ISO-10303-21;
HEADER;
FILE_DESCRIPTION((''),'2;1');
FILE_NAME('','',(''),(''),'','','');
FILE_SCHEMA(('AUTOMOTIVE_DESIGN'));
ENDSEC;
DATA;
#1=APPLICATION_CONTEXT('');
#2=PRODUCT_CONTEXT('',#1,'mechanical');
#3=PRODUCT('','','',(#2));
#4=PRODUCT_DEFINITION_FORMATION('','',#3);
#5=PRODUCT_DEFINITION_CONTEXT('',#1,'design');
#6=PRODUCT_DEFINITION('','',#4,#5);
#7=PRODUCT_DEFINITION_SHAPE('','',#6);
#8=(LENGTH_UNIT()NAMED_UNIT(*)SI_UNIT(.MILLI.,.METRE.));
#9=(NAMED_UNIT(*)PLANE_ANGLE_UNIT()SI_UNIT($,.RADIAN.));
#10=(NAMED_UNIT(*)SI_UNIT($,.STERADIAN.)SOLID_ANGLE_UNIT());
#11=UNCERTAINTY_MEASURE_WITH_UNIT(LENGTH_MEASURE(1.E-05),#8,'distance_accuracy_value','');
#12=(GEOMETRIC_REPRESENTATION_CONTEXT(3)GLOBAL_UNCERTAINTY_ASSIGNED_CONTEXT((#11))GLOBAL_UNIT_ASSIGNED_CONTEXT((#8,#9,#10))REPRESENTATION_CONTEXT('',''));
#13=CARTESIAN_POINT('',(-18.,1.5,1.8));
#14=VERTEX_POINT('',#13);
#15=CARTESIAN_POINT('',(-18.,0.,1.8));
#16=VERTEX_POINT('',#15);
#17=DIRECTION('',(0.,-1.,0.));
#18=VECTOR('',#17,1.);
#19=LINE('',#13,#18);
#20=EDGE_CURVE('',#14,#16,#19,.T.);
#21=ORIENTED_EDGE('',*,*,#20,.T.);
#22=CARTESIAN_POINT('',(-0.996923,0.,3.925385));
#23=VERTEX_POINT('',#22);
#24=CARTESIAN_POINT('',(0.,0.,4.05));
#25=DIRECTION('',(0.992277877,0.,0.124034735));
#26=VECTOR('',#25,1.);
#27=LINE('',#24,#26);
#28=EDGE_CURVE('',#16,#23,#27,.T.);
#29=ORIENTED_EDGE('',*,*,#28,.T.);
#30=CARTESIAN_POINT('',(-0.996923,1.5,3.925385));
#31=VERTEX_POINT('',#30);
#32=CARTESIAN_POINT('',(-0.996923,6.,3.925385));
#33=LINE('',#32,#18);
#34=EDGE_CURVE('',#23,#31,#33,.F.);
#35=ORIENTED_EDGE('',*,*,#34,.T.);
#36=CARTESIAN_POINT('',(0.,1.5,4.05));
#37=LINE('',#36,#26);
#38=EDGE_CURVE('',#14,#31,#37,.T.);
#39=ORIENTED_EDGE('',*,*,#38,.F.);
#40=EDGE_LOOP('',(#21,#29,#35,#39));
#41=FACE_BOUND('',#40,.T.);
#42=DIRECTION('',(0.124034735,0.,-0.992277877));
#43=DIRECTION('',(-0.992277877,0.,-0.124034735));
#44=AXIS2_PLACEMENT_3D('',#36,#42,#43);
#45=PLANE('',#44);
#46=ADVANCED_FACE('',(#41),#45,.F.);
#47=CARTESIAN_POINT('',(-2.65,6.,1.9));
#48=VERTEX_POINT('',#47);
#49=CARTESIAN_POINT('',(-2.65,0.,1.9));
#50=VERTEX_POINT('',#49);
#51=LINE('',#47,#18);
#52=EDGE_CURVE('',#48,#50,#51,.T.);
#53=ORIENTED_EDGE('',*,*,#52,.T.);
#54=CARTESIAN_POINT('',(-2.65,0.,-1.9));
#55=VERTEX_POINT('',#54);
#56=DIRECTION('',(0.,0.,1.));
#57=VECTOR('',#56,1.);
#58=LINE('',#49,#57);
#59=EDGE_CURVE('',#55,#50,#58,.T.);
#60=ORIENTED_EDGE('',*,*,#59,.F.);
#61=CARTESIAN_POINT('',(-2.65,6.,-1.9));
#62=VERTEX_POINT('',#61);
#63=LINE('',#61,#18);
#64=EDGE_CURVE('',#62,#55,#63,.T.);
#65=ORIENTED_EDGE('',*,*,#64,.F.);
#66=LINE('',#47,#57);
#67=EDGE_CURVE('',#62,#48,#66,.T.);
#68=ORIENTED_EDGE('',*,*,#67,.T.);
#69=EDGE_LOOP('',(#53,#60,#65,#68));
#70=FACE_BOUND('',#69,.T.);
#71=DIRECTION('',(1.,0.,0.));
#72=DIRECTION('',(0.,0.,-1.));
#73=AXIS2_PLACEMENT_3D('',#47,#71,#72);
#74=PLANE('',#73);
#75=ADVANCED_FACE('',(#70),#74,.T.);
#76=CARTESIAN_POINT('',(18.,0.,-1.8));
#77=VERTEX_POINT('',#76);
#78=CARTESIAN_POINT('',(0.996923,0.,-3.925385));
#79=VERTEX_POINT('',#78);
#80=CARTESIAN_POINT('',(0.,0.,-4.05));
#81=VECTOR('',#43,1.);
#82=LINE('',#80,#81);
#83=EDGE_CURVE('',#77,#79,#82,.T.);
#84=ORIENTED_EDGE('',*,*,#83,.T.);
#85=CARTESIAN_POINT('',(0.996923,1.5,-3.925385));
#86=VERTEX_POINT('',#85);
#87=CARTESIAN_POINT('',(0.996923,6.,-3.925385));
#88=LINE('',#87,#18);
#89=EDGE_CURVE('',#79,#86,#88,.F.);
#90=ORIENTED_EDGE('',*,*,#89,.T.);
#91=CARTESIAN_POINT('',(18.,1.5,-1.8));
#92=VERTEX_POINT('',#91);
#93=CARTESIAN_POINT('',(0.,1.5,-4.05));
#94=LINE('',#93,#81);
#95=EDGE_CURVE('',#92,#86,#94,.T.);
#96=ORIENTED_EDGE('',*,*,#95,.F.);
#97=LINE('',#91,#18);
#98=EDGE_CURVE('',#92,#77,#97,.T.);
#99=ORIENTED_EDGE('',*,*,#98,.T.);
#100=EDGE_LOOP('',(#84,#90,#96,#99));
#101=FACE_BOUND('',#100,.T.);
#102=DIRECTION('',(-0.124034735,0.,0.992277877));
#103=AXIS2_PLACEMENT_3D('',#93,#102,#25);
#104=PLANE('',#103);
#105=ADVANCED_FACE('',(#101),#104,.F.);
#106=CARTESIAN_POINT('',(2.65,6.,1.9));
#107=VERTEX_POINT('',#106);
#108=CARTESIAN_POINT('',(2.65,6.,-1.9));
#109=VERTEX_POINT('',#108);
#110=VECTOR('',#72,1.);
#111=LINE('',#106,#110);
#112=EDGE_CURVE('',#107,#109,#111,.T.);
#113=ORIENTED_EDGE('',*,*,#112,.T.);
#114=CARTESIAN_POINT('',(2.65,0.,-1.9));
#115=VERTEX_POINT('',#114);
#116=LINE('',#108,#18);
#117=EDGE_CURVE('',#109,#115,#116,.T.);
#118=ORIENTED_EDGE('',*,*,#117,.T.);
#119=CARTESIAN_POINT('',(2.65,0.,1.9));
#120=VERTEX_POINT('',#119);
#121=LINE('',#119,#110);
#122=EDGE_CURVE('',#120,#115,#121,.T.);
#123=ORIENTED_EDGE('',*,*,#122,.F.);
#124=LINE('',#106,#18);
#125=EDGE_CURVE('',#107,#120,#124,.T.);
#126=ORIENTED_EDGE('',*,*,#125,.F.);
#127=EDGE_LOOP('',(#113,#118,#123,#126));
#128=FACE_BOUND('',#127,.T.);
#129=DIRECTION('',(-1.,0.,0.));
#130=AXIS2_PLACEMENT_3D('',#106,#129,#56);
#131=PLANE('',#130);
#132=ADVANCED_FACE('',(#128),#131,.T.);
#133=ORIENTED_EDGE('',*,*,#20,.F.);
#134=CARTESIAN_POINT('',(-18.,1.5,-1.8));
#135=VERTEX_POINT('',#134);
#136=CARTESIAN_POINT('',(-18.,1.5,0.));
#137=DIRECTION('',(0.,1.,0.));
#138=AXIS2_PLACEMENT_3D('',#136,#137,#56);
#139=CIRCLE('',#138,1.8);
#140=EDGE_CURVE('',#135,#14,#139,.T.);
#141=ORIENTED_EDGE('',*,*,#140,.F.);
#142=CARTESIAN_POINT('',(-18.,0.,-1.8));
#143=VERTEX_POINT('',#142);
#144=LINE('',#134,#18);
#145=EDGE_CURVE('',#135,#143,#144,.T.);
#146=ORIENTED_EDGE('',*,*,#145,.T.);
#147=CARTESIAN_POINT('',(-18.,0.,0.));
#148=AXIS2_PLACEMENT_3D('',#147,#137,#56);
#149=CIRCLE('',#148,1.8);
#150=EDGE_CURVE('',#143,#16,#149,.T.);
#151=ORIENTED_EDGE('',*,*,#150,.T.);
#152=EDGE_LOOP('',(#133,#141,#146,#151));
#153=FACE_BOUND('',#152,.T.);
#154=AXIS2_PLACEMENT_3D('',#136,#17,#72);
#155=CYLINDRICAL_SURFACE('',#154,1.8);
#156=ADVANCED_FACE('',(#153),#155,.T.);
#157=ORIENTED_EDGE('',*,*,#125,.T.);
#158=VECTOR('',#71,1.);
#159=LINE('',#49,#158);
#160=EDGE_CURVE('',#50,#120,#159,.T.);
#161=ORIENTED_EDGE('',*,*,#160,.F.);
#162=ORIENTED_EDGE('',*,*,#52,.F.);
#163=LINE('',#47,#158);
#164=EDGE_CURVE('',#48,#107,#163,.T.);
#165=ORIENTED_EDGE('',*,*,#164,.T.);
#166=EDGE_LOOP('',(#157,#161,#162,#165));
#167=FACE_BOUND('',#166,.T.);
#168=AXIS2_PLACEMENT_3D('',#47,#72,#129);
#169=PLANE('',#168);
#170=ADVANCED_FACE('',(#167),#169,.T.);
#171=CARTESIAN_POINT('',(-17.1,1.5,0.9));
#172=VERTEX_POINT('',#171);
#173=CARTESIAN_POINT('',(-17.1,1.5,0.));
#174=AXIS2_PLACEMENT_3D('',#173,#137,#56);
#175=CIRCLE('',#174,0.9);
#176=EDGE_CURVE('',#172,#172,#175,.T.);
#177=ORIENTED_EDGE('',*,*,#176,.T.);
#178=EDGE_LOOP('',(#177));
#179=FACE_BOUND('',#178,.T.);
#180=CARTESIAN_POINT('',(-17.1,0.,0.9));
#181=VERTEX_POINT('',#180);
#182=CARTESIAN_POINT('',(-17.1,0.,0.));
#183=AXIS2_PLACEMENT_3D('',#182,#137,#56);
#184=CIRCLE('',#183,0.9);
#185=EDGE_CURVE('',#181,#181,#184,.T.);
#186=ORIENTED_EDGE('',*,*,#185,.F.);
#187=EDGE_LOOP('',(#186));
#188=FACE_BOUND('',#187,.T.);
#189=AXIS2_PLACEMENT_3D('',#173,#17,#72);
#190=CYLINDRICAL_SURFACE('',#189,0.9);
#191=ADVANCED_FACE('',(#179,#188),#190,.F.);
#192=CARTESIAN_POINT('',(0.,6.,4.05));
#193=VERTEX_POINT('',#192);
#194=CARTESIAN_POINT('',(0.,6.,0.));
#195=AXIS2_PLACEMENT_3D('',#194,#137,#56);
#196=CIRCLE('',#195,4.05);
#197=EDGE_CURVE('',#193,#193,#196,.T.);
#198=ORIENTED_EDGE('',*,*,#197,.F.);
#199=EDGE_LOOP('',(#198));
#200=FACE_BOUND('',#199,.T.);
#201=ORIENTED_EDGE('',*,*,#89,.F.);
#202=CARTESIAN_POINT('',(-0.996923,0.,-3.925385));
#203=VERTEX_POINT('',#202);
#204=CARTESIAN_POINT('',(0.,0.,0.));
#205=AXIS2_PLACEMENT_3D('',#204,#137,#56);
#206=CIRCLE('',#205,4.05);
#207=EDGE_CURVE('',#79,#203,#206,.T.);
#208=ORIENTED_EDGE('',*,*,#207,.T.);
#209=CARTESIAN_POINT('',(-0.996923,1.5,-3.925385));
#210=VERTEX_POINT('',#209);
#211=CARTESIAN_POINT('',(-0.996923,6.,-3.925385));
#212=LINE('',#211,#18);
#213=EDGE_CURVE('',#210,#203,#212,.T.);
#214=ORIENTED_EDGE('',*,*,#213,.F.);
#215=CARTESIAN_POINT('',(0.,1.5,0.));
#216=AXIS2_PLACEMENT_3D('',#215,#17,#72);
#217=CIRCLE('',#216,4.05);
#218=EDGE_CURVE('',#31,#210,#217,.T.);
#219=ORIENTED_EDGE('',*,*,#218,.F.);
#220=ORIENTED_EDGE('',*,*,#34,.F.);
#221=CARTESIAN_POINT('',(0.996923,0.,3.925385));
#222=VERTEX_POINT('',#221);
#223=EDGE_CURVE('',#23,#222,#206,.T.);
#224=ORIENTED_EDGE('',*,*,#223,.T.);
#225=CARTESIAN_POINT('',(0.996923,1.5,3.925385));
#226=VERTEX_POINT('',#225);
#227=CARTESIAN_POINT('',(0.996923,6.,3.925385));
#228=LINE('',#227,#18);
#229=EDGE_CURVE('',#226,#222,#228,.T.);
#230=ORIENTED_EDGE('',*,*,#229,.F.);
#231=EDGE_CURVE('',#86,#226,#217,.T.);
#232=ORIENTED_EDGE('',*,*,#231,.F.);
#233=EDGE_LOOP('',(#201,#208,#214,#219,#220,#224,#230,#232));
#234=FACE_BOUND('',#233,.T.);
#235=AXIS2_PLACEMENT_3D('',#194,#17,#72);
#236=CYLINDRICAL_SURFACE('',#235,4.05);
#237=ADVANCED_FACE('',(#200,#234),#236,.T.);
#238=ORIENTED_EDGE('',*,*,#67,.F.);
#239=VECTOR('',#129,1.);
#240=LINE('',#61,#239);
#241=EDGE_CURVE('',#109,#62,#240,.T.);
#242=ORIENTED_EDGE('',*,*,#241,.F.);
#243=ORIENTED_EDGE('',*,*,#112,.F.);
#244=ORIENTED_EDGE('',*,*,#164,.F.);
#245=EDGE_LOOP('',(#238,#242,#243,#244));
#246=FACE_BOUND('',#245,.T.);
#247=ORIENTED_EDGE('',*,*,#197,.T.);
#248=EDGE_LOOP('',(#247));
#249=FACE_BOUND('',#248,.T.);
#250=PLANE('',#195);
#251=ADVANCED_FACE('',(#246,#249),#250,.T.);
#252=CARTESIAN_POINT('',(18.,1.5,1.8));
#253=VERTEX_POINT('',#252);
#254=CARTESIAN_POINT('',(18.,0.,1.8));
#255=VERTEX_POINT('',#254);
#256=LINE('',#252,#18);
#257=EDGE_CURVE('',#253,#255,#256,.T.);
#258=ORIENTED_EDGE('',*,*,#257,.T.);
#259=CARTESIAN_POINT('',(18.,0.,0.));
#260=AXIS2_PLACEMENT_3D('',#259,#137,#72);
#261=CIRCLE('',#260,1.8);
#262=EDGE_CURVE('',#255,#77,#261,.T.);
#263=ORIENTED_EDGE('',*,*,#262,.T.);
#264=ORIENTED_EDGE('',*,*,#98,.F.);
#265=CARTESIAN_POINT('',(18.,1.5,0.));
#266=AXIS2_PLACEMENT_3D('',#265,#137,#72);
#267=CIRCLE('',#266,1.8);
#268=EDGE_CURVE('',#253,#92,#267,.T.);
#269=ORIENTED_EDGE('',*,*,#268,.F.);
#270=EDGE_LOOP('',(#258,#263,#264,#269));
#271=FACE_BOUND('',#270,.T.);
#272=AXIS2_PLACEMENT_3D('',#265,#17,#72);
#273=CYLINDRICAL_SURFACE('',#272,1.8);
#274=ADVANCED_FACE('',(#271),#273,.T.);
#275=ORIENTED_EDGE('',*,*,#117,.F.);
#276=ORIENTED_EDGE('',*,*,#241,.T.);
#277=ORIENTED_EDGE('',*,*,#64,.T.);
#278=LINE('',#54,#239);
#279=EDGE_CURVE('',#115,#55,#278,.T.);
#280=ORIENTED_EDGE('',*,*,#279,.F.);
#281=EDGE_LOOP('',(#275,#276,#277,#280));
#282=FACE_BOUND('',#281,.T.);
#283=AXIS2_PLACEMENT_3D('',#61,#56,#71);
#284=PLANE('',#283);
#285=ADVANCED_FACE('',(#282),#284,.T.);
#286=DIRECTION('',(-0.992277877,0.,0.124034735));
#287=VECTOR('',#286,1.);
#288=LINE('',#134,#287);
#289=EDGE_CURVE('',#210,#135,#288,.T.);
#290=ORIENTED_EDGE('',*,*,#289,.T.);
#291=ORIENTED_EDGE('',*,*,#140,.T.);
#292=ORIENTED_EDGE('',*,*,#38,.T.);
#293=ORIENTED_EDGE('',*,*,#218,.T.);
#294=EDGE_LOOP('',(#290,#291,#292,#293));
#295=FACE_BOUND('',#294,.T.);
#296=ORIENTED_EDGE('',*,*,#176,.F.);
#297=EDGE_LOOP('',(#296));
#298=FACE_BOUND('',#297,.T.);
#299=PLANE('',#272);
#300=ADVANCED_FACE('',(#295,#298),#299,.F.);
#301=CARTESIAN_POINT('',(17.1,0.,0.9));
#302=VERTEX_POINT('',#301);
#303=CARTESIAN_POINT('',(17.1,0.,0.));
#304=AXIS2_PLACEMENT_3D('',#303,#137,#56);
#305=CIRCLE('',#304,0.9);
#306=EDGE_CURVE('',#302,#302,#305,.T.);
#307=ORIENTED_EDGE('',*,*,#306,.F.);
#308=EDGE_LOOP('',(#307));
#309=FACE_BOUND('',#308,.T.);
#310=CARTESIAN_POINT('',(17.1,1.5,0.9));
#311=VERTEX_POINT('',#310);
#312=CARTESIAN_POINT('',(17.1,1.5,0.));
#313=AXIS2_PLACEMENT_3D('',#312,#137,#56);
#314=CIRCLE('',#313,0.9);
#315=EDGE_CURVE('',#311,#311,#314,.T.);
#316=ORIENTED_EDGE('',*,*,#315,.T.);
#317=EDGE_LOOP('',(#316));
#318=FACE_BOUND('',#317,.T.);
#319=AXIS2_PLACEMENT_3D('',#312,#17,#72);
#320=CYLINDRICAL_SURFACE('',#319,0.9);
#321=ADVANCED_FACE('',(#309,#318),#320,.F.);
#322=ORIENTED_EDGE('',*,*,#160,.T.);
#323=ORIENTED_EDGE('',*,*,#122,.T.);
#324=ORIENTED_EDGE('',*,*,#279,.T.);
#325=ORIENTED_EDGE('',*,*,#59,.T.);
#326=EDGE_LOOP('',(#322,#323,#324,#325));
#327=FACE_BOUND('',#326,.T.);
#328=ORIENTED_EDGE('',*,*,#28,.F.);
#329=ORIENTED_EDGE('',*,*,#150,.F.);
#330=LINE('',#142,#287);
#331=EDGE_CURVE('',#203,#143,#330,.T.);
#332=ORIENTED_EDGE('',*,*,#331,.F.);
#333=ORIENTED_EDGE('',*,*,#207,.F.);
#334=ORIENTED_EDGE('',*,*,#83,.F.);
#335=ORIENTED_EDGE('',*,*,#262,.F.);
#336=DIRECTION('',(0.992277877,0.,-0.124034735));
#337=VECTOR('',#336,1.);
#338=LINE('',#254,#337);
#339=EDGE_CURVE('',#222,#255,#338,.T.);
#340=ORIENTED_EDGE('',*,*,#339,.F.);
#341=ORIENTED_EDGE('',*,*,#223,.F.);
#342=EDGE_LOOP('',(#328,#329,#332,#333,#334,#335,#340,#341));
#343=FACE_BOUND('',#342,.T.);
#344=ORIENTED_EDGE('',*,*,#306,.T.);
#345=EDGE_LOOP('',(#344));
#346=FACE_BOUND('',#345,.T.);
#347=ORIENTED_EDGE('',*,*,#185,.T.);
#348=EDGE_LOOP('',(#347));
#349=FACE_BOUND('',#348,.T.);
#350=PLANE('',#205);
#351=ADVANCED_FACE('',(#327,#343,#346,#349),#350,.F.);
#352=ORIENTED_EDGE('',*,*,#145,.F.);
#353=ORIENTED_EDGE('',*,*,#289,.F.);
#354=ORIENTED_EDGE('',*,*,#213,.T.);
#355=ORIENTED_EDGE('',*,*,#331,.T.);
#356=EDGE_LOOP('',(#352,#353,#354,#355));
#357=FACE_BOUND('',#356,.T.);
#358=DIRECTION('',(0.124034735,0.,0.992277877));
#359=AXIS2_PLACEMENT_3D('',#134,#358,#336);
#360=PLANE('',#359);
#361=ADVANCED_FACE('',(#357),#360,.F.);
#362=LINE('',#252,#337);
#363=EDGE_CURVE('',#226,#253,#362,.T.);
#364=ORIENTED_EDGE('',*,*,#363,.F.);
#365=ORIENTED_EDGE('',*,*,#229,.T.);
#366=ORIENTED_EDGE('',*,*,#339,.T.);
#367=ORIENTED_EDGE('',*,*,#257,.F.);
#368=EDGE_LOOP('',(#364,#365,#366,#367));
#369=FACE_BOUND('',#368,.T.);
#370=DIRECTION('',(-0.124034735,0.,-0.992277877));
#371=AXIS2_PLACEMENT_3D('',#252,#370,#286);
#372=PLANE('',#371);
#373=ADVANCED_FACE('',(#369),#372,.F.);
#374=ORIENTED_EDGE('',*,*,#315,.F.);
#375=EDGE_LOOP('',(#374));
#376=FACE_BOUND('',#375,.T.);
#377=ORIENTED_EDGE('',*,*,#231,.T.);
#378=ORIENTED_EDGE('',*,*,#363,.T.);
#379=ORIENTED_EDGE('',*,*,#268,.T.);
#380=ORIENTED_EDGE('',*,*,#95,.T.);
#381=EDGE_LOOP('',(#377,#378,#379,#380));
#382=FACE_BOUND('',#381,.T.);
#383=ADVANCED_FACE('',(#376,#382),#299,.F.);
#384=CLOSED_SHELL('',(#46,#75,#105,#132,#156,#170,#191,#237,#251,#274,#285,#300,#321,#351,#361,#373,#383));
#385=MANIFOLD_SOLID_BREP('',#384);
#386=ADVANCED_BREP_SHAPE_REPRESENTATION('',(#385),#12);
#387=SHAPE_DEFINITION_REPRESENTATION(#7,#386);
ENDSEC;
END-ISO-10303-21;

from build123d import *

# Parameters (mm, degrees)
SKETCH1_R           = 4.05
SKETCH1_W           = 5.3
SKETCH1_H           = 3.8
BOSS_EXTRUDE1_DEPTH = 6
BOSS_EXTRUDE2_DEPTH = 1.5
SKETCH3_R           = 0.9
SKETCH3_W           = 5.3
SKETCH3_H           = 3.8
CUT_EXTRUDE1_DEPTH  = 1.5


with BuildPart() as part:
    # Sketch1 → Boss-Extrude1 (new body)
    with BuildSketch(Plane(origin=(0, 0, 0), x_dir=(1, 0, 0), z_dir=(0, 1, 0))):
        with Locations(Location((0, 0, 0), (0, 0, 270))):
            Circle(SKETCH1_R)
        Rectangle(SKETCH1_W, SKETCH1_H, mode=Mode.SUBTRACT)
    extrude(amount=BOSS_EXTRUDE1_DEPTH)

    # Sketch2 → Boss-Extrude2 (add)
    with BuildSketch(Plane(origin=(0, 0, 0), x_dir=(1, 0, 0), z_dir=(0, 1, 0))):
        with BuildLine():
            Line((-18, 1.8), (0, 4.05))
            Line((0, 4.05), (18, 1.8))
            ThreePointArc((18, 1.8), (19.8, 0), (18, -1.8))
            Line((18, -1.8), (0, -4.05))
            Line((0, -4.05), (-18, -1.8))
            ThreePointArc((-18, -1.8), (-19.8, 0), (-18, 1.8))
        make_face()
    extrude(amount=BOSS_EXTRUDE2_DEPTH)

    # Sketch3 → Cut-Extrude1 (cut)
    with BuildSketch(Plane(origin=(0, 0, 0), x_dir=(1, 0, 0), z_dir=(0, 1, 0))):
        with Locations(Location((-17.1, 0, 0), (0, 0, 270))):
            Circle(SKETCH3_R)
        with Locations(Location((17.1, 0, 0), (0, 0, 270))):
            Circle(SKETCH3_R)
        Rectangle(SKETCH3_W, SKETCH3_H)
    extrude(amount=CUT_EXTRUDE1_DEPTH, mode=Mode.SUBTRACT)


solid = part.part
